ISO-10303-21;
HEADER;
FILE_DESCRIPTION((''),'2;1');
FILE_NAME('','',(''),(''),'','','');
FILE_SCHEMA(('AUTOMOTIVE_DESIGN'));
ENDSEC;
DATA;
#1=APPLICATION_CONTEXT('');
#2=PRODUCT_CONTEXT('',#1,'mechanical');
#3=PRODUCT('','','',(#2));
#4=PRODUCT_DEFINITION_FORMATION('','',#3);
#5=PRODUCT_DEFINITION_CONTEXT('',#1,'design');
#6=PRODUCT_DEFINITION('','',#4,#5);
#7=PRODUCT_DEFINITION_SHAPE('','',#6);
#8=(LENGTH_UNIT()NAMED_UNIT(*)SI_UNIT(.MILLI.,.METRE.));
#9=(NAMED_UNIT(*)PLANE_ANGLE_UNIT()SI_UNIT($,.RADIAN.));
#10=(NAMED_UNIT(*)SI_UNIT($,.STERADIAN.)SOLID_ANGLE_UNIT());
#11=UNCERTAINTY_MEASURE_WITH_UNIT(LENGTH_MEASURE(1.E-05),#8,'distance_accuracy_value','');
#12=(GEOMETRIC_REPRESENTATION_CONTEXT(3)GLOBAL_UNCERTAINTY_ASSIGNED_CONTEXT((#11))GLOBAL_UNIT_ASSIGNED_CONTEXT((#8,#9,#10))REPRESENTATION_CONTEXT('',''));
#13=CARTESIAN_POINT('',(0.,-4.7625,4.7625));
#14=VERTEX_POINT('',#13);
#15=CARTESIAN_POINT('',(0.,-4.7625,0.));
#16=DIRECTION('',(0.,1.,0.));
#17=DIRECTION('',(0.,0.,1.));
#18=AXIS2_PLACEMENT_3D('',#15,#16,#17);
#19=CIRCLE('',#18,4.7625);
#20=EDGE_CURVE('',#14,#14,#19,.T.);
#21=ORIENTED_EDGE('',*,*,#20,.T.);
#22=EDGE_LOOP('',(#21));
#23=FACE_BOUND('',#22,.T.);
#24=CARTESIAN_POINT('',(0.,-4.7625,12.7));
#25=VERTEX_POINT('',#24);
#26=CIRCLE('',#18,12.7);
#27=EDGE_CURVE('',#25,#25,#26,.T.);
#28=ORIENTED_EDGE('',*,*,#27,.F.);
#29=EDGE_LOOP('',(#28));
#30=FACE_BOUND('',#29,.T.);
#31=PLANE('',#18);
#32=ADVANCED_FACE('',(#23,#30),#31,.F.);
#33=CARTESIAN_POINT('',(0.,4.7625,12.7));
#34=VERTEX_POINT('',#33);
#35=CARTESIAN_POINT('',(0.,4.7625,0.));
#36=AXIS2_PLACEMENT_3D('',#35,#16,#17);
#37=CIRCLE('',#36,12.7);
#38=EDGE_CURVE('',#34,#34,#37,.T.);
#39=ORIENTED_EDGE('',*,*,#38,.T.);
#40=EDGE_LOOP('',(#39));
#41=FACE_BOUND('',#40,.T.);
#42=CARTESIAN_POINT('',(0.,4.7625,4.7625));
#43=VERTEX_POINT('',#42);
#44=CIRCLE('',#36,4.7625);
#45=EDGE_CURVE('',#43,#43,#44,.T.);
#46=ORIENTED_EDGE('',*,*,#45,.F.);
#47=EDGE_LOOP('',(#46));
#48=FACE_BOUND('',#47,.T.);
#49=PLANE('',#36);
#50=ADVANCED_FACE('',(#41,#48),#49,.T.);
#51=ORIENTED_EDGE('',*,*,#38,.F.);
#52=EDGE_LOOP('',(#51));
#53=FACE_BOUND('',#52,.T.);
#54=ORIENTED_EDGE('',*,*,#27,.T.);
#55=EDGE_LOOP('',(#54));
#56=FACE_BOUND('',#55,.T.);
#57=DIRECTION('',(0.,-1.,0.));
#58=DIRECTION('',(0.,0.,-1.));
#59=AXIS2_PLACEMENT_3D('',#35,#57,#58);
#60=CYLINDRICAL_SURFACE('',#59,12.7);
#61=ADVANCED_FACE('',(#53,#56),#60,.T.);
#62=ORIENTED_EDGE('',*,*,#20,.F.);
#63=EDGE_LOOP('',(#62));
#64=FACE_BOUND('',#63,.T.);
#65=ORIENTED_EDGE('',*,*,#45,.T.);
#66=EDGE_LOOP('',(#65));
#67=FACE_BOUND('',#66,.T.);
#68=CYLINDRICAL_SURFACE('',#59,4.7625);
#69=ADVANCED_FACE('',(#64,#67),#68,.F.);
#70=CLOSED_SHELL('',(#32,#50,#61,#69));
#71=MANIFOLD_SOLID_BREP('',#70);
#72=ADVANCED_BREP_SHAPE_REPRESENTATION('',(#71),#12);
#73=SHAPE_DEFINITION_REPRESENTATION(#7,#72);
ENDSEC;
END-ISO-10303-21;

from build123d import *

# Parameters (mm, degrees)
SKETCH1_R           = 12.7
SKETCH1_R_2         = 4.7625
BOSS_EXTRUDE1_DEPTH = 4.7625


with BuildPart() as part:
    # Sketch1 → Boss-Extrude1 (new, symmetric)
    with BuildSketch(Plane(origin=(0, 0, 0), x_dir=(1, 0, 0), z_dir=(0, 1, 0))):
        Circle(SKETCH1_R)
        Circle(SKETCH1_R_2, mode=Mode.SUBTRACT)
    extrude(amount=BOSS_EXTRUDE1_DEPTH, both=True)


solid = part.part
